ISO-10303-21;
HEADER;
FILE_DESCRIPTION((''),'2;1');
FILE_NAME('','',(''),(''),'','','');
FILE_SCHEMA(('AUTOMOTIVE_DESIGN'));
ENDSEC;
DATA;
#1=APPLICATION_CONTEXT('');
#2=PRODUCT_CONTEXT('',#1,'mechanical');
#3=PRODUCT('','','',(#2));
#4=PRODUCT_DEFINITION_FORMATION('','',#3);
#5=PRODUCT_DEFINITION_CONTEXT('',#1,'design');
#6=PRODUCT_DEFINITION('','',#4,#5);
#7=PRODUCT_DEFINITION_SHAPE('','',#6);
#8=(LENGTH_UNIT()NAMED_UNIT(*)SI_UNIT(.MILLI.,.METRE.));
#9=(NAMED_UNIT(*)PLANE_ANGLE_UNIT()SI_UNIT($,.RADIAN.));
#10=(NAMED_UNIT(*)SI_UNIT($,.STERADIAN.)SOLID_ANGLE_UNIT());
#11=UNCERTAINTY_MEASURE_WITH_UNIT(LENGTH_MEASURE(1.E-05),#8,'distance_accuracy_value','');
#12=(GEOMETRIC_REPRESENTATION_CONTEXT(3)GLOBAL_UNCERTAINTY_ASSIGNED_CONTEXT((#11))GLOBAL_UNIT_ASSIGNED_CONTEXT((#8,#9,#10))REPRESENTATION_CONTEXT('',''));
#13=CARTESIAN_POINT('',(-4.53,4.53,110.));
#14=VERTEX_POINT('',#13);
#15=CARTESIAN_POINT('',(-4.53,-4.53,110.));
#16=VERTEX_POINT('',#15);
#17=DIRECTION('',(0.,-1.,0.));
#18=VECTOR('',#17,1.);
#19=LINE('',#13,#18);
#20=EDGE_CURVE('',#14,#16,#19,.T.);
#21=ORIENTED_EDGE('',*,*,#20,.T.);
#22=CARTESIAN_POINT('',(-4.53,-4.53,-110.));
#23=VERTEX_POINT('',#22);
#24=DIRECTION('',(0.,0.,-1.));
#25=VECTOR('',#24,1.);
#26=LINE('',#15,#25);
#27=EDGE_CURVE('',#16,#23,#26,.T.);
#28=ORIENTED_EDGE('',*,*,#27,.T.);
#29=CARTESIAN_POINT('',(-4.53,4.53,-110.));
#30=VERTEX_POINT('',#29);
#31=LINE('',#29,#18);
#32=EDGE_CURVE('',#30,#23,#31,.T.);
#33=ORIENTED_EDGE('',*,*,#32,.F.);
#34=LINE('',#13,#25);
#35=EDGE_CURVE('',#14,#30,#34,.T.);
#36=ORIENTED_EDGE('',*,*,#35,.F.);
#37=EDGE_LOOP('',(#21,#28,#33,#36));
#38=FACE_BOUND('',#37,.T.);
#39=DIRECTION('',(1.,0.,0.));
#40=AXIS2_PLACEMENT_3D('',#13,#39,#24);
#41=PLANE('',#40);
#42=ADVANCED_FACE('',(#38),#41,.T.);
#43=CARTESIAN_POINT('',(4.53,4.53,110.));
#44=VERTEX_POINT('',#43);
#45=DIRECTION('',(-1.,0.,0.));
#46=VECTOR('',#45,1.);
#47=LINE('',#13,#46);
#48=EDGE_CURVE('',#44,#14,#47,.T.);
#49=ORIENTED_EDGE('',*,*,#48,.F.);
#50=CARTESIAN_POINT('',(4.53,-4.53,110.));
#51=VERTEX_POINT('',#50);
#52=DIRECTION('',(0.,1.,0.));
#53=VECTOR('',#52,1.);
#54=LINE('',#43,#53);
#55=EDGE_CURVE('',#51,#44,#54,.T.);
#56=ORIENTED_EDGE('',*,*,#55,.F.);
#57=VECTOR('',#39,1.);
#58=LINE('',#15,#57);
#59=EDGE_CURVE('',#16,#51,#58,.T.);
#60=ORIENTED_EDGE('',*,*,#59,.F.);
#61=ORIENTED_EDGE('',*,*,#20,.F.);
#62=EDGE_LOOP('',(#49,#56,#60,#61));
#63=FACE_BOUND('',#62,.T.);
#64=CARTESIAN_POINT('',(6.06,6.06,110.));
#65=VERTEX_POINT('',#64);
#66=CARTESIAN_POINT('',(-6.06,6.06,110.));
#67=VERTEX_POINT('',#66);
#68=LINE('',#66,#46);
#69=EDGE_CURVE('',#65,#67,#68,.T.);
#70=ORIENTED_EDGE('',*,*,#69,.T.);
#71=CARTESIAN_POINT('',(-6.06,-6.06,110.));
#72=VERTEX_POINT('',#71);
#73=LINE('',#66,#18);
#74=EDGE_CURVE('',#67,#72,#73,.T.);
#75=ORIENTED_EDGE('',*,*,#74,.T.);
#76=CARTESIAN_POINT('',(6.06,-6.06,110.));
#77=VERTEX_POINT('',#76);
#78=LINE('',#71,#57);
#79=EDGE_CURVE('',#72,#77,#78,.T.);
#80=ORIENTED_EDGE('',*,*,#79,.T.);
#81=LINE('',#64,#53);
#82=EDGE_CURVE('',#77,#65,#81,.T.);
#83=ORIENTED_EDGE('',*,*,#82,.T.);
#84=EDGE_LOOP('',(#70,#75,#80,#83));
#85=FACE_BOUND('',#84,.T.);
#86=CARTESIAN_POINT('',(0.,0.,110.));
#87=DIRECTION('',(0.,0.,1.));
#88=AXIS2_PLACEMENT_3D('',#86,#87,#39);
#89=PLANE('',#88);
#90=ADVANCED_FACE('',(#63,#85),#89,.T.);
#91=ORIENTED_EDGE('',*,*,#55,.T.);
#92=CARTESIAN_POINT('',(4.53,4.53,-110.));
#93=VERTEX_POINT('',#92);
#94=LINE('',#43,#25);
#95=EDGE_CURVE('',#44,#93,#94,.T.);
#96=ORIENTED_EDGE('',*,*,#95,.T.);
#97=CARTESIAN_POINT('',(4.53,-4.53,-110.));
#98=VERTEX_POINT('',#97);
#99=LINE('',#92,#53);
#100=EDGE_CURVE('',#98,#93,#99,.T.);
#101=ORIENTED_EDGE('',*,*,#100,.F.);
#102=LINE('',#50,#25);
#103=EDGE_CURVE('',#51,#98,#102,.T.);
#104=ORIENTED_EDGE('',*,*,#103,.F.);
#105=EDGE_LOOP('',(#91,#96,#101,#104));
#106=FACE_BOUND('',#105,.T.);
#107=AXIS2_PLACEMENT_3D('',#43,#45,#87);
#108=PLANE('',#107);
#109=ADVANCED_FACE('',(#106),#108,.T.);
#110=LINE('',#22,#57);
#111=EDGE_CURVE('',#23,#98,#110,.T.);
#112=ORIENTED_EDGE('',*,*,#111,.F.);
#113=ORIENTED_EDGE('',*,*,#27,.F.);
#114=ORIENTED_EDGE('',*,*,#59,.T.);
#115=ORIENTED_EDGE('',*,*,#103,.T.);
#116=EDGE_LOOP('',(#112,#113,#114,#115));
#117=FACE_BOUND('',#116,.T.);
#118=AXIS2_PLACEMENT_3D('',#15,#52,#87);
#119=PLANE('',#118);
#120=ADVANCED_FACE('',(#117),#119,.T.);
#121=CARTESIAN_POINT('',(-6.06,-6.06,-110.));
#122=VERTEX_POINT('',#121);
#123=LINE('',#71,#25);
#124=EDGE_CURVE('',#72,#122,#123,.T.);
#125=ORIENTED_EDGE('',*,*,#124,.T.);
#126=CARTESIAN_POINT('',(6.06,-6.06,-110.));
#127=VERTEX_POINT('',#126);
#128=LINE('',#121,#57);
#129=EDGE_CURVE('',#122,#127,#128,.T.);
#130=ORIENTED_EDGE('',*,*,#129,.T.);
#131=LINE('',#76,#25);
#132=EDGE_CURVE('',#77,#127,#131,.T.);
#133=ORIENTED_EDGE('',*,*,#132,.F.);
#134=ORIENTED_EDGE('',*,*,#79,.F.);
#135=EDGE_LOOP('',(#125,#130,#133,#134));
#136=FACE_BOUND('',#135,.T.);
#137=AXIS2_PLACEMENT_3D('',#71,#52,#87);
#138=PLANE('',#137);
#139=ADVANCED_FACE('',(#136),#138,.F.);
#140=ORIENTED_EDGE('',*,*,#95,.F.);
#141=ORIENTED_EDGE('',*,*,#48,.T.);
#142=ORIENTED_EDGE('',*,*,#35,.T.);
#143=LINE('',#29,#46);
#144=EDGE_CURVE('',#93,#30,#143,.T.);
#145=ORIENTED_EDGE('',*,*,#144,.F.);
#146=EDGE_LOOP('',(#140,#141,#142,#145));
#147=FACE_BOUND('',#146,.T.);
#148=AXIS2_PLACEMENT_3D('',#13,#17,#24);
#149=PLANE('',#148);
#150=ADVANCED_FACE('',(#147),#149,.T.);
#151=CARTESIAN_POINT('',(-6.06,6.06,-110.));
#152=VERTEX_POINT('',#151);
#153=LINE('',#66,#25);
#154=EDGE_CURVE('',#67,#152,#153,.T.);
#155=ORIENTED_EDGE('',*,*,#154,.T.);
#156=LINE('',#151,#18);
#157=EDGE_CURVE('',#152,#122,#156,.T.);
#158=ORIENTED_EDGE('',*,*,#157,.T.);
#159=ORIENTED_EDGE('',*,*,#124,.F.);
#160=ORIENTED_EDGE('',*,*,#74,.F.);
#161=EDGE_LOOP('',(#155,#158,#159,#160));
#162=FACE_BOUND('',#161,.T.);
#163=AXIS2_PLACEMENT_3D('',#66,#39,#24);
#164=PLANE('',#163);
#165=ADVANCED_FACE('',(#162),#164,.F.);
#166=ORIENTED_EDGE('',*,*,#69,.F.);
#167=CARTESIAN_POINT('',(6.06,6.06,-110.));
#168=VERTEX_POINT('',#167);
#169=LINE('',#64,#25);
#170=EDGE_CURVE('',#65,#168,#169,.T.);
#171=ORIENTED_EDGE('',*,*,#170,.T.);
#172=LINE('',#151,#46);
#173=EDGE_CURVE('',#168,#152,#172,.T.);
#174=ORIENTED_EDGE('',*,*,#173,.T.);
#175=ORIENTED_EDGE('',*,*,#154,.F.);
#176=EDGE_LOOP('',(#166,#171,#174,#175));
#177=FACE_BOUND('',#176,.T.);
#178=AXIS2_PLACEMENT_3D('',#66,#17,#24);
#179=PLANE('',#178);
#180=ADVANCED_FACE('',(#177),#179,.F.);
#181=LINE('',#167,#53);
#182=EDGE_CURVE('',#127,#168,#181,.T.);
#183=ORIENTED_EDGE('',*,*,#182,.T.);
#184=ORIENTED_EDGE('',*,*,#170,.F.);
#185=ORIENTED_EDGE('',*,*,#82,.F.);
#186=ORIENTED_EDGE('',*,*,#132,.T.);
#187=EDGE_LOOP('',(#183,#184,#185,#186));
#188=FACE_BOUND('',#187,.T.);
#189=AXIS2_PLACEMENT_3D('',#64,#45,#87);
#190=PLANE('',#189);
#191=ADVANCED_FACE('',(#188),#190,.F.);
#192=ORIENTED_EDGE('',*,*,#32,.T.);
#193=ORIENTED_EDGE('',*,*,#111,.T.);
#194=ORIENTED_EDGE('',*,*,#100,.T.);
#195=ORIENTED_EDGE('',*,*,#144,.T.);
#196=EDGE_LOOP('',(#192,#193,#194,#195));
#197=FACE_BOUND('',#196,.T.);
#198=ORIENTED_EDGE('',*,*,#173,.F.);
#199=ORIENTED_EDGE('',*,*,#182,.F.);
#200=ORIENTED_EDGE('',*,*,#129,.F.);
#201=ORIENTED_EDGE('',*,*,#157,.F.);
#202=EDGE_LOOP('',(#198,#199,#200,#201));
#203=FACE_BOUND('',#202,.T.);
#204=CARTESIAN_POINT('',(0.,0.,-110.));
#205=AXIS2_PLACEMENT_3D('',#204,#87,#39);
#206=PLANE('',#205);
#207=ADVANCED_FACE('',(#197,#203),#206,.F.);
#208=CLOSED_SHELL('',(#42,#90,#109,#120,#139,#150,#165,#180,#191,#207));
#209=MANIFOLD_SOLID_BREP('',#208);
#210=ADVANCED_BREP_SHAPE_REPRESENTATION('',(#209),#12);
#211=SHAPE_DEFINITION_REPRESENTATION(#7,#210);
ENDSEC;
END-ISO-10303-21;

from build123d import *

# Parameters (mm, degrees)
SKETCH1_W           = 12.12
SKETCH1_H           = 12.12
SKETCH1_W_2         = 9.06
SKETCH1_H_2         = 9.06
BOSS_EXTRUDE1_DEPTH = 110


with BuildPart() as part:
    # Sketch1 → Boss-Extrude1 (new, symmetric)
    with BuildSketch(Plane.XY):
        Rectangle(SKETCH1_W, SKETCH1_H)
        Rectangle(SKETCH1_W_2, SKETCH1_H_2, mode=Mode.SUBTRACT)
    extrude(amount=BOSS_EXTRUDE1_DEPTH, both=True)


solid = part.part
